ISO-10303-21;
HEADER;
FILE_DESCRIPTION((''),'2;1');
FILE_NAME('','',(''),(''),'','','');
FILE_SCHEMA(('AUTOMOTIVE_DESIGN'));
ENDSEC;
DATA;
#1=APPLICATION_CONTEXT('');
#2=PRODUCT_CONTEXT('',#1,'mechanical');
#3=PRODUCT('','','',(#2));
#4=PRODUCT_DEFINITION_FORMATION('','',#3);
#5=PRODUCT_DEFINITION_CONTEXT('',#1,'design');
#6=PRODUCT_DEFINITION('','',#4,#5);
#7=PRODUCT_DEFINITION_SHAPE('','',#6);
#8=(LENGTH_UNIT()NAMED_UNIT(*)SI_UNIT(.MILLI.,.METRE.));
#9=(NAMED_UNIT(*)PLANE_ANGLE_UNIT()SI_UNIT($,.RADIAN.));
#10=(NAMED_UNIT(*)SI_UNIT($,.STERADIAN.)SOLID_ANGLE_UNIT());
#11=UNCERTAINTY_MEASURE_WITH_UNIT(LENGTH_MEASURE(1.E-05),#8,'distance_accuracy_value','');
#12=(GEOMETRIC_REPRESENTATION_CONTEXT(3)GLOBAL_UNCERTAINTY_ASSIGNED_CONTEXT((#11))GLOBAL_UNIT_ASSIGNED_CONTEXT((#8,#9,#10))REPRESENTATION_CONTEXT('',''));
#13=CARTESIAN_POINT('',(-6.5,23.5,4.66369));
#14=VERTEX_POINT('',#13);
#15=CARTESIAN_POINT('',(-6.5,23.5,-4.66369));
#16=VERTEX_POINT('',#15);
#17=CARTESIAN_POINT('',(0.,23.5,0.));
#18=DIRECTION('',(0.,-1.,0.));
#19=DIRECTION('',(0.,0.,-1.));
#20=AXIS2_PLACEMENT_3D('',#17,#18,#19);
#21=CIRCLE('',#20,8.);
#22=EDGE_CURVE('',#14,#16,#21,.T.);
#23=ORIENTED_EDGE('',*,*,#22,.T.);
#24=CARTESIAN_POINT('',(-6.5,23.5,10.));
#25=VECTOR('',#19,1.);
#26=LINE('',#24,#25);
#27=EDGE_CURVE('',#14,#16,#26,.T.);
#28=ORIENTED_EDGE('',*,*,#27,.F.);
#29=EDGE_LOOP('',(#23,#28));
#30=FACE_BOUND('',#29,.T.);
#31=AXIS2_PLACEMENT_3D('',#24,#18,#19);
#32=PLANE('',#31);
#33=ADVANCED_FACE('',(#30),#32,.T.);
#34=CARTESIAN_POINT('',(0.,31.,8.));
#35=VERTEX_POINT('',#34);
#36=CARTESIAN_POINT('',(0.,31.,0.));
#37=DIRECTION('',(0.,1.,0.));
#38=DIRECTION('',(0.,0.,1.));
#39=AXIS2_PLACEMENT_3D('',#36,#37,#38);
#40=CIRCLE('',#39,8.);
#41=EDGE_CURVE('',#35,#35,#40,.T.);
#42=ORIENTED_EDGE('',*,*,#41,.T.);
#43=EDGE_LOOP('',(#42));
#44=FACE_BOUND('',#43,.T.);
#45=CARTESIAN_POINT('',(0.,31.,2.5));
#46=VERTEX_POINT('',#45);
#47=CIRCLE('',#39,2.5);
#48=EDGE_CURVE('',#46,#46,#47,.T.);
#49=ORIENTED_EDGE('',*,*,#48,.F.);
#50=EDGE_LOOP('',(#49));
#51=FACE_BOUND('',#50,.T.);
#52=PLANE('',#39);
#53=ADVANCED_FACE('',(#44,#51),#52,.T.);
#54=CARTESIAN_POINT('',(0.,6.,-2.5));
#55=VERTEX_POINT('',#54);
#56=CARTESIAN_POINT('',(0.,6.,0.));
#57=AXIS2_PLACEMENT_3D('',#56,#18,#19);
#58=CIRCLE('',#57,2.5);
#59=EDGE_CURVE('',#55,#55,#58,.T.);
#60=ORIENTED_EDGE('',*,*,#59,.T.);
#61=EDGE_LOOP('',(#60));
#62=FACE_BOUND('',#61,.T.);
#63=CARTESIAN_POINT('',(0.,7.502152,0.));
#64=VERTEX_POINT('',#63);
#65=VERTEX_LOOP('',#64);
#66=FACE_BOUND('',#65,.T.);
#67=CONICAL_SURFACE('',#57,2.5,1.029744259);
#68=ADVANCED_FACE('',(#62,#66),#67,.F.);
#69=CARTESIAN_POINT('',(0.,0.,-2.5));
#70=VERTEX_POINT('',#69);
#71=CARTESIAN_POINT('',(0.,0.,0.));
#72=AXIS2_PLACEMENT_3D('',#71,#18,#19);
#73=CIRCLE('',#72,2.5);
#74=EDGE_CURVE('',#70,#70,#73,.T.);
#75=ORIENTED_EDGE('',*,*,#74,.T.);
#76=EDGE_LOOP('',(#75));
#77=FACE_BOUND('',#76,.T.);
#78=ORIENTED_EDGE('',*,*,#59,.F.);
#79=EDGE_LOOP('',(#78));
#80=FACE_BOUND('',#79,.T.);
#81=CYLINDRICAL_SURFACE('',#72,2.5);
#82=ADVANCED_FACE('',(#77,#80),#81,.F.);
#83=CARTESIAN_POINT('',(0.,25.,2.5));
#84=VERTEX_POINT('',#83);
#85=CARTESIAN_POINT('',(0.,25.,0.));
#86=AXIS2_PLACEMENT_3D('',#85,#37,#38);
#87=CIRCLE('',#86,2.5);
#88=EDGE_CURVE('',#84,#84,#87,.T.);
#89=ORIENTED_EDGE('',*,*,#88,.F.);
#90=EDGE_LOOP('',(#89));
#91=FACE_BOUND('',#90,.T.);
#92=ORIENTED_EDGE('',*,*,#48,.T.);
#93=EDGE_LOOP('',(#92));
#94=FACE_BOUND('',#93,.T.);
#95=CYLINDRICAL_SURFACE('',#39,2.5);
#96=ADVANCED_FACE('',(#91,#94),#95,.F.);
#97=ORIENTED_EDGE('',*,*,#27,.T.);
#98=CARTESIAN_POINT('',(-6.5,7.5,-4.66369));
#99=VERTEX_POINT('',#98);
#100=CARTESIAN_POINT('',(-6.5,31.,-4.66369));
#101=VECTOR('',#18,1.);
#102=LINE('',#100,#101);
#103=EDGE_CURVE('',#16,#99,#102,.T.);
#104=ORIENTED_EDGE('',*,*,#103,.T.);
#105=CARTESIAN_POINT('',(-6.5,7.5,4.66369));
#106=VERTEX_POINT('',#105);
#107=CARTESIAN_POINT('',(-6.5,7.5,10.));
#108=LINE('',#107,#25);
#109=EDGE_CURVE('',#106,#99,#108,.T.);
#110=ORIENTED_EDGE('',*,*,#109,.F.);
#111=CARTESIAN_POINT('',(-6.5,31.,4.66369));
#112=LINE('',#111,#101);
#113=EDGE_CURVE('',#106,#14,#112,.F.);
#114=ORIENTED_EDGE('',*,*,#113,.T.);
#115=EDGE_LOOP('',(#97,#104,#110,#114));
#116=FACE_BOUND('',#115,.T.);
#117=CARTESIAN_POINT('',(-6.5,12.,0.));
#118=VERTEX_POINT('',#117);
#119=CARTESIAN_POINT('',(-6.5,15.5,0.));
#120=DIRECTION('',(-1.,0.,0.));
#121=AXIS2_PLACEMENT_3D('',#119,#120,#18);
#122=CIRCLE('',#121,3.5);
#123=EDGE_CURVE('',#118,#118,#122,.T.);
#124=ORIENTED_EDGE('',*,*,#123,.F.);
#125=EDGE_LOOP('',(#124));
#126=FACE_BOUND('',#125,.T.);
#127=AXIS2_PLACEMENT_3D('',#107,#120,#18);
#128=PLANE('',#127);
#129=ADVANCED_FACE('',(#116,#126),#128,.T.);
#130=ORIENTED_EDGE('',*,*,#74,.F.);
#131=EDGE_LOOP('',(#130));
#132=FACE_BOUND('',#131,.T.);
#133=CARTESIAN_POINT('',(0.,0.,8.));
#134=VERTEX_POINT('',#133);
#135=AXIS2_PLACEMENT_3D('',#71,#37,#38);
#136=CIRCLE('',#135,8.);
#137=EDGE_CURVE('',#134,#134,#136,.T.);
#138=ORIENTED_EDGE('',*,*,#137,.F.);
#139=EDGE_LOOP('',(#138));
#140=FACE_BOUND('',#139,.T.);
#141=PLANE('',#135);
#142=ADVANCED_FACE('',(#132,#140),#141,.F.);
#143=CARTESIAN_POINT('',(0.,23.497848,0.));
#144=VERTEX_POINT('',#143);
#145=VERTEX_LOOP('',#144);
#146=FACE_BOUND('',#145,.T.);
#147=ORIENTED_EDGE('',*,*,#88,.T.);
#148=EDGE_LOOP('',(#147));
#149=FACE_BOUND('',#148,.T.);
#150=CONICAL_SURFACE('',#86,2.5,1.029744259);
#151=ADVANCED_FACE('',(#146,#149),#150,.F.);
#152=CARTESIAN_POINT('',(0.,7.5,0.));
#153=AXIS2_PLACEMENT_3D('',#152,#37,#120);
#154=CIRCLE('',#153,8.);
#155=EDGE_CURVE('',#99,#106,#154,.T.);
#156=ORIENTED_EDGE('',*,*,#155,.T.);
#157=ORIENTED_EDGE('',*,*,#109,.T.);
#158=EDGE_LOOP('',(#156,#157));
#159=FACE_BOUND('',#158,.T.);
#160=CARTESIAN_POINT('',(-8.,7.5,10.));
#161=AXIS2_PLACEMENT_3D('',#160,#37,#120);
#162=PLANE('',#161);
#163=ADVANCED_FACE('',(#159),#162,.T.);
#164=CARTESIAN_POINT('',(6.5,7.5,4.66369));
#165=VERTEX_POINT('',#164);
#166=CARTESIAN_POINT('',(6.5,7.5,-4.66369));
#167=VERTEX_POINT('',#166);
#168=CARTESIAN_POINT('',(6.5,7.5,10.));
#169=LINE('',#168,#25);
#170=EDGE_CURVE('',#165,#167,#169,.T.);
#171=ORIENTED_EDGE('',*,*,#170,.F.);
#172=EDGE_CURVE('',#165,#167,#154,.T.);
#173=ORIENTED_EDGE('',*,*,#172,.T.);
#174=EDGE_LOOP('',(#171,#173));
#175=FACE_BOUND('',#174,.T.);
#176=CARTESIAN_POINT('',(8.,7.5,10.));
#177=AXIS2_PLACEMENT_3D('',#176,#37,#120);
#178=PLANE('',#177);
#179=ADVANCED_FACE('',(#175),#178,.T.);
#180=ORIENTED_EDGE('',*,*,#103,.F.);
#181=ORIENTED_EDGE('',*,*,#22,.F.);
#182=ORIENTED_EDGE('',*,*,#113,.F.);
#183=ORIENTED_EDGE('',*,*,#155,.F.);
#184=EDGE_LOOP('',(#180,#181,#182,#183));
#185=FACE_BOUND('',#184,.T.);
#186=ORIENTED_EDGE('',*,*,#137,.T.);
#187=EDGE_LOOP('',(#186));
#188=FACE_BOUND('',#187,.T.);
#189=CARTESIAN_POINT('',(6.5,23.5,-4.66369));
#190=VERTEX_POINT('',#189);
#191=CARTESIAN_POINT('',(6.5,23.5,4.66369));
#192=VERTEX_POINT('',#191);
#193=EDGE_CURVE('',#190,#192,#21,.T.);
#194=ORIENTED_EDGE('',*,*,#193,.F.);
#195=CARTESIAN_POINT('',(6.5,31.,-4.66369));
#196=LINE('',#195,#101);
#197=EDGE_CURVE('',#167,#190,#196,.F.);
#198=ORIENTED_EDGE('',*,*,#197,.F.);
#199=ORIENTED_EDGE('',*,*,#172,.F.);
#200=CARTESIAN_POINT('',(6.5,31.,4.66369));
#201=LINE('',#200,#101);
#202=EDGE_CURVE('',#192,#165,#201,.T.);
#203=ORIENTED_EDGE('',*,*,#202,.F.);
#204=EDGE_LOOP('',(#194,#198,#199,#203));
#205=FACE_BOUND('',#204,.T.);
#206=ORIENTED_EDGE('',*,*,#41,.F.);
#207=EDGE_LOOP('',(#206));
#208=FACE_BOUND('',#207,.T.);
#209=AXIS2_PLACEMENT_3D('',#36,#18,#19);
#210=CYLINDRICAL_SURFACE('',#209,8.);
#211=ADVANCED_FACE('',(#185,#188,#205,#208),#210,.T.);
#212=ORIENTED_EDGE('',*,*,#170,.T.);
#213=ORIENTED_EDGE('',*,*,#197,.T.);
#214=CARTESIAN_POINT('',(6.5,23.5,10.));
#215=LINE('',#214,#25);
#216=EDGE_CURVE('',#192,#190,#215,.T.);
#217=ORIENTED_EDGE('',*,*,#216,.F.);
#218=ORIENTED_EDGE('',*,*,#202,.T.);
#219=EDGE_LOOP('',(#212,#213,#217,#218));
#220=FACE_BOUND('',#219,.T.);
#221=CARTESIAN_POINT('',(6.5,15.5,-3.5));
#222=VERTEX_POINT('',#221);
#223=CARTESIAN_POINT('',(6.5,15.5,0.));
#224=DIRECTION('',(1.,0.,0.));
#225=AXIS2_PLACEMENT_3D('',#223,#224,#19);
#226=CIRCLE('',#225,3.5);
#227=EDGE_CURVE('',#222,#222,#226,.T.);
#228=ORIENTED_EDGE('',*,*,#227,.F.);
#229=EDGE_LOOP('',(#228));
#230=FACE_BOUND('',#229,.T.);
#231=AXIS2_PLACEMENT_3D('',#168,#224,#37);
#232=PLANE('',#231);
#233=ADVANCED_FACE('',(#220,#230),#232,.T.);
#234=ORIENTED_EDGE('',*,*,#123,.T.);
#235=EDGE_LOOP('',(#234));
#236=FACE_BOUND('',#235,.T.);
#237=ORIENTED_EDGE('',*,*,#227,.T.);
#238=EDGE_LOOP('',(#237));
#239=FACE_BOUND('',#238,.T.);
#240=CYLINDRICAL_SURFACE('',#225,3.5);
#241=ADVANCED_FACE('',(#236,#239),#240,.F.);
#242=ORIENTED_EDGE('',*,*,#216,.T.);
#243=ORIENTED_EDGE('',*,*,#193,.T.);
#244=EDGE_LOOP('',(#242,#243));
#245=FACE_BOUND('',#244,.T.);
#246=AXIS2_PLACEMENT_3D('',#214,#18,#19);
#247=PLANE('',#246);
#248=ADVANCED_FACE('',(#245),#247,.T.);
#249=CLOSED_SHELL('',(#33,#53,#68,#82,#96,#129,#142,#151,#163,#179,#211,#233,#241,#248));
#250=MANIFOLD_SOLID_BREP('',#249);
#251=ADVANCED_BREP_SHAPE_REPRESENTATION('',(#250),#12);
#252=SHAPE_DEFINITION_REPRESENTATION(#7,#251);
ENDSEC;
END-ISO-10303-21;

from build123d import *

# Parameters (mm, degrees)
SKETCH_1_R               = 8
EXTRUDE_1_DEPTH          = 31
M6X1_0_1_D               = 5
M6X1_0_1_DEPTH           = 6
M6X1_0_1_TIP             = 1.502151548
M6X1_0_2_D               = 5
M6X1_0_2_DEPTH           = 6
M6X1_0_2_TIP             = 1.502151548
CUT_EXTRUDE_2_DEPTH      = 10
CUT_EXTRUDE_2_DEPTH_BACK = 10
SKETCH_10_W              = 1.5
SKETCH_10_H              = 16
M8X1_0_1_D               = 7


with BuildPart() as part:
    # 草图1 → 凸台-拉伸1 (new body)
    with BuildSketch(Plane(origin=(0, 0, 0), x_dir=(1, 0, 0), z_dir=(0, 1, 0))):
        Circle(SKETCH_1_R)
    extrude(amount=EXTRUDE_1_DEPTH)

    # M6x1.0 螺纹孔1
    with Locations(Plane(origin=(0, 31, 0), x_dir=(1, 0, 0), z_dir=(0, 1, 0))):
        with Locations((0, 0)):
            Hole(M6X1_0_1_D / 2, depth=M6X1_0_1_DEPTH)
            with Locations((0, 0, -(M6X1_0_1_DEPTH + M6X1_0_1_TIP / 2))):  # 118° drill point
                Cone(0, M6X1_0_1_D / 2, M6X1_0_1_TIP, mode=Mode.SUBTRACT)

    # M6x1.0 螺纹孔2
    with Locations(Plane(origin=(0, 0, 0), x_dir=(-1, 0, 0), z_dir=(0, -1, 0))):
        with Locations((0, 0)):
            Hole(M6X1_0_2_D / 2, depth=M6X1_0_2_DEPTH)
            with Locations((0, 0, -(M6X1_0_2_DEPTH + M6X1_0_2_TIP / 2))):  # 118° drill point
                Cone(0, M6X1_0_2_D / 2, M6X1_0_2_TIP, mode=Mode.SUBTRACT)

    # 草图10 → 切除-拉伸2 (cut, two sides: drawn at the far end of the back side and taken through both)
    with BuildSketch(Plane.XY.offset(-CUT_EXTRUDE_2_DEPTH_BACK)):
        with Locations((7.25, 15.5)):
            Rectangle(SKETCH_10_W, SKETCH_10_H)
        with Locations((-7.25, 15.5)):
            Rectangle(SKETCH_10_W, SKETCH_10_H)
    extrude(amount=CUT_EXTRUDE_2_DEPTH + CUT_EXTRUDE_2_DEPTH_BACK, mode=Mode.SUBTRACT)

    # M8x1.0 螺纹孔1 (through all)
    with Locations(Plane(origin=(6.5, 0, 0), x_dir=(0, 0, -1), z_dir=(1, 0, 0))):
        with Locations((0, 15.5)):
            Hole(M8X1_0_1_D / 2)


solid = part.part
